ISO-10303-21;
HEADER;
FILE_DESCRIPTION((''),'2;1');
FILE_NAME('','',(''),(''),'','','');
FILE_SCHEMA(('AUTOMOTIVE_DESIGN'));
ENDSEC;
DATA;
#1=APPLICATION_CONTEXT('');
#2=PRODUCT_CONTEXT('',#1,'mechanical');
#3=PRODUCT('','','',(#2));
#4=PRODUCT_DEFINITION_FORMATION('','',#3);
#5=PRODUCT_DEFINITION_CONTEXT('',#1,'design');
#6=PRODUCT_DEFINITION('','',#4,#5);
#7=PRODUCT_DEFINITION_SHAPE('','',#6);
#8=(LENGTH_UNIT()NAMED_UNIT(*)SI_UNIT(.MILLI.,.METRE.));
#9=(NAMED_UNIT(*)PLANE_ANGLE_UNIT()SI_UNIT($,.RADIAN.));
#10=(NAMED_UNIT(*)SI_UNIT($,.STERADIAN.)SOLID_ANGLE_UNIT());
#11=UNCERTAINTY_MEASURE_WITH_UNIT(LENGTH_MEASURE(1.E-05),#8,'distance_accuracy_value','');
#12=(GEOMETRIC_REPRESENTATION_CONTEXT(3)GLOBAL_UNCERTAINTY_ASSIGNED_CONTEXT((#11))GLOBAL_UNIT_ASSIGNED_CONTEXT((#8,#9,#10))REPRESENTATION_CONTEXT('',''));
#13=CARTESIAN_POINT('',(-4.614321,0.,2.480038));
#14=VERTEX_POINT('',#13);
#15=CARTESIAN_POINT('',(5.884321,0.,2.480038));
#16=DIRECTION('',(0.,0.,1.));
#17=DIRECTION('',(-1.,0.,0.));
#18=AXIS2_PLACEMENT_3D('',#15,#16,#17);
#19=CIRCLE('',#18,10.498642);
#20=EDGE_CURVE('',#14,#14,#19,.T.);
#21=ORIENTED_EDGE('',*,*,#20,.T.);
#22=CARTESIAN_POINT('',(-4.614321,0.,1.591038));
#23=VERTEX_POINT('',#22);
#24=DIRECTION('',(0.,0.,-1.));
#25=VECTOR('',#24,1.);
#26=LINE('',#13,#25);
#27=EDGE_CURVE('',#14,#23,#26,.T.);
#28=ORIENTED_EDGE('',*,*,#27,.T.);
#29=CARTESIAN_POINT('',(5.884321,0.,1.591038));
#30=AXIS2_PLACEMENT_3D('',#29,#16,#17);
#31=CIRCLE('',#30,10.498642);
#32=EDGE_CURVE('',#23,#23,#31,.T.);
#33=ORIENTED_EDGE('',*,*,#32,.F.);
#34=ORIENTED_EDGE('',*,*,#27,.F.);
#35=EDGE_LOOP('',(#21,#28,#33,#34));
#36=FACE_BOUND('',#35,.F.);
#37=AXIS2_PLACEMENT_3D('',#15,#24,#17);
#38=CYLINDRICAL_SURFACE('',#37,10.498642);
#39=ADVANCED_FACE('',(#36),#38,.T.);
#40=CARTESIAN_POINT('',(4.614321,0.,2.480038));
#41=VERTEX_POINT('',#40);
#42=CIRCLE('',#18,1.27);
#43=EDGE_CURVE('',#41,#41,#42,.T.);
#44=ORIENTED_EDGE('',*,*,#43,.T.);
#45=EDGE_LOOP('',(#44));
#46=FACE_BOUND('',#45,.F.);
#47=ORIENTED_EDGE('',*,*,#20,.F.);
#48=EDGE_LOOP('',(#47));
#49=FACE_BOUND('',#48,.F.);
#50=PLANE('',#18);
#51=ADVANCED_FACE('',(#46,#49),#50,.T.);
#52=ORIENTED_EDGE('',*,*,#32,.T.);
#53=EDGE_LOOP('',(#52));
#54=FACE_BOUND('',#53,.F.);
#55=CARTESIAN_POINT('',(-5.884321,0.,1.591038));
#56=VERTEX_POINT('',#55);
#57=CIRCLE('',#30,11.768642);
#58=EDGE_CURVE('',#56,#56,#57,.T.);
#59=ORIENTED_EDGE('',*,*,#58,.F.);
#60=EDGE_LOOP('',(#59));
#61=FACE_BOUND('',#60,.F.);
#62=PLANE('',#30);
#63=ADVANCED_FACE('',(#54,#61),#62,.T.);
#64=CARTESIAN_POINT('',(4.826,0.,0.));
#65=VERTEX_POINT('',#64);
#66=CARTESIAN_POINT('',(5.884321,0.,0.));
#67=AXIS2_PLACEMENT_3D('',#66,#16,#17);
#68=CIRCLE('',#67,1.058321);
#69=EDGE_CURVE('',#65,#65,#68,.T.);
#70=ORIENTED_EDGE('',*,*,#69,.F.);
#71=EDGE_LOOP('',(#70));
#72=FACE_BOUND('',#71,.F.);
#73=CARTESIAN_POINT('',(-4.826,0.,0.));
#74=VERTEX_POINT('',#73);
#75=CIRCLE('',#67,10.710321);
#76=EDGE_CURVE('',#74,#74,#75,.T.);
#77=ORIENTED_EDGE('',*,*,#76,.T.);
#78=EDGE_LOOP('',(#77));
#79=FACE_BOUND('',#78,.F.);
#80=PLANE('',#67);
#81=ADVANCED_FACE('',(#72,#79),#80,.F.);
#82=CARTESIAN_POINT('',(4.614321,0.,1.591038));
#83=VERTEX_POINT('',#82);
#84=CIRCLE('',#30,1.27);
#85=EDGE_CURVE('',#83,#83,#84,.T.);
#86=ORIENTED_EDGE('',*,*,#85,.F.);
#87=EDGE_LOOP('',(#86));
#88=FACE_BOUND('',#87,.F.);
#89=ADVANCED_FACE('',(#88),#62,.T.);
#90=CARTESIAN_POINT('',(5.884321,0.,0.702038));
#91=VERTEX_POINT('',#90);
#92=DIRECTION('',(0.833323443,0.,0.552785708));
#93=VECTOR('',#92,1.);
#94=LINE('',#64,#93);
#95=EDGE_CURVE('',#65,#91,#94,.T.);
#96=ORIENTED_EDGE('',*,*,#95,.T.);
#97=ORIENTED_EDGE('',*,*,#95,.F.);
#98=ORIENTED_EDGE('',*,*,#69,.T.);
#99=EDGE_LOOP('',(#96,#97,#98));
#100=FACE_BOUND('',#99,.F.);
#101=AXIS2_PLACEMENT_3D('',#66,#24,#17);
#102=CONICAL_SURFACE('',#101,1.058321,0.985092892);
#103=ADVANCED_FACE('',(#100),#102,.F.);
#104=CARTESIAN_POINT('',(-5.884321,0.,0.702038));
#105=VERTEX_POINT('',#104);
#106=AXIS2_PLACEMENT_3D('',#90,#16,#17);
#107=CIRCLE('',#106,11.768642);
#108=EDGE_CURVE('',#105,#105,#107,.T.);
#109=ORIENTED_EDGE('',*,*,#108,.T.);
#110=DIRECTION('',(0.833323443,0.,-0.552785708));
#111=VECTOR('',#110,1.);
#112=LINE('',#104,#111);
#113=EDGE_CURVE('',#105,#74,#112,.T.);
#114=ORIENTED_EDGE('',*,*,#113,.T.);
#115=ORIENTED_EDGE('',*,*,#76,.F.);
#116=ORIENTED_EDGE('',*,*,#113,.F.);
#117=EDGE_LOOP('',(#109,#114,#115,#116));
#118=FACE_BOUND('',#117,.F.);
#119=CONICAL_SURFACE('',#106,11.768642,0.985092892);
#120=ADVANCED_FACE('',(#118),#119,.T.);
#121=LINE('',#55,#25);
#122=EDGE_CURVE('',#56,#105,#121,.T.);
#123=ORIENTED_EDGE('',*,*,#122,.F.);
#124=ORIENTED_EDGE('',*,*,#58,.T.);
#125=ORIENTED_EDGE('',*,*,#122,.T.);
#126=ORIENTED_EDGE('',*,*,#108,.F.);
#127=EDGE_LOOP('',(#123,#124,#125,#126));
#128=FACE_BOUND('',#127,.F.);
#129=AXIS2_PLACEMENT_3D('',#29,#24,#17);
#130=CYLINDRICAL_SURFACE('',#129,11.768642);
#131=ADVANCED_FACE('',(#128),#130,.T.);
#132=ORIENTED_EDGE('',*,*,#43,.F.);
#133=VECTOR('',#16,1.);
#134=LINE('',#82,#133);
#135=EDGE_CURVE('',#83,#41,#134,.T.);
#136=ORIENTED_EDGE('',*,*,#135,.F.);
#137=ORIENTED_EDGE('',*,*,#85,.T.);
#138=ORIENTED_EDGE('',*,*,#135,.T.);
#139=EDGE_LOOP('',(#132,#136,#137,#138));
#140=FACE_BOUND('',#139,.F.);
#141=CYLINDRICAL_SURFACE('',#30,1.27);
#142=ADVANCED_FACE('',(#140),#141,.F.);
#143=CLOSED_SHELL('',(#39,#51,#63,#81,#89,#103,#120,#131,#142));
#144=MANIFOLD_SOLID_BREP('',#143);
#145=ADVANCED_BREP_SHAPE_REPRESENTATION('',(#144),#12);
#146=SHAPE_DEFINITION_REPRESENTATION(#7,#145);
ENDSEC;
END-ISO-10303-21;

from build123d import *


with BuildPart() as f1:
    # F0 (on Front) → F1 (revolve)
    with BuildSketch(Plane.XZ):
        Polygon((0, 2.480038), (0, 0), (4.826, 0), (5.884321, 0.702038), (5.884321, 1.591038), (4.614321, 1.591038), (4.614321, 2.480038), align=None)
        Polygon((-4.826, 0), (0, 0), (0, 2.480038), (-4.614321, 2.480038), (-4.614321, 1.591038), (-5.884321, 1.591038), (-5.884321, 0.702038), align=None)
    revolve(axis=Axis((5.884321, 0, 1.146538), (0, 0, 1)))


solid = f1.part
